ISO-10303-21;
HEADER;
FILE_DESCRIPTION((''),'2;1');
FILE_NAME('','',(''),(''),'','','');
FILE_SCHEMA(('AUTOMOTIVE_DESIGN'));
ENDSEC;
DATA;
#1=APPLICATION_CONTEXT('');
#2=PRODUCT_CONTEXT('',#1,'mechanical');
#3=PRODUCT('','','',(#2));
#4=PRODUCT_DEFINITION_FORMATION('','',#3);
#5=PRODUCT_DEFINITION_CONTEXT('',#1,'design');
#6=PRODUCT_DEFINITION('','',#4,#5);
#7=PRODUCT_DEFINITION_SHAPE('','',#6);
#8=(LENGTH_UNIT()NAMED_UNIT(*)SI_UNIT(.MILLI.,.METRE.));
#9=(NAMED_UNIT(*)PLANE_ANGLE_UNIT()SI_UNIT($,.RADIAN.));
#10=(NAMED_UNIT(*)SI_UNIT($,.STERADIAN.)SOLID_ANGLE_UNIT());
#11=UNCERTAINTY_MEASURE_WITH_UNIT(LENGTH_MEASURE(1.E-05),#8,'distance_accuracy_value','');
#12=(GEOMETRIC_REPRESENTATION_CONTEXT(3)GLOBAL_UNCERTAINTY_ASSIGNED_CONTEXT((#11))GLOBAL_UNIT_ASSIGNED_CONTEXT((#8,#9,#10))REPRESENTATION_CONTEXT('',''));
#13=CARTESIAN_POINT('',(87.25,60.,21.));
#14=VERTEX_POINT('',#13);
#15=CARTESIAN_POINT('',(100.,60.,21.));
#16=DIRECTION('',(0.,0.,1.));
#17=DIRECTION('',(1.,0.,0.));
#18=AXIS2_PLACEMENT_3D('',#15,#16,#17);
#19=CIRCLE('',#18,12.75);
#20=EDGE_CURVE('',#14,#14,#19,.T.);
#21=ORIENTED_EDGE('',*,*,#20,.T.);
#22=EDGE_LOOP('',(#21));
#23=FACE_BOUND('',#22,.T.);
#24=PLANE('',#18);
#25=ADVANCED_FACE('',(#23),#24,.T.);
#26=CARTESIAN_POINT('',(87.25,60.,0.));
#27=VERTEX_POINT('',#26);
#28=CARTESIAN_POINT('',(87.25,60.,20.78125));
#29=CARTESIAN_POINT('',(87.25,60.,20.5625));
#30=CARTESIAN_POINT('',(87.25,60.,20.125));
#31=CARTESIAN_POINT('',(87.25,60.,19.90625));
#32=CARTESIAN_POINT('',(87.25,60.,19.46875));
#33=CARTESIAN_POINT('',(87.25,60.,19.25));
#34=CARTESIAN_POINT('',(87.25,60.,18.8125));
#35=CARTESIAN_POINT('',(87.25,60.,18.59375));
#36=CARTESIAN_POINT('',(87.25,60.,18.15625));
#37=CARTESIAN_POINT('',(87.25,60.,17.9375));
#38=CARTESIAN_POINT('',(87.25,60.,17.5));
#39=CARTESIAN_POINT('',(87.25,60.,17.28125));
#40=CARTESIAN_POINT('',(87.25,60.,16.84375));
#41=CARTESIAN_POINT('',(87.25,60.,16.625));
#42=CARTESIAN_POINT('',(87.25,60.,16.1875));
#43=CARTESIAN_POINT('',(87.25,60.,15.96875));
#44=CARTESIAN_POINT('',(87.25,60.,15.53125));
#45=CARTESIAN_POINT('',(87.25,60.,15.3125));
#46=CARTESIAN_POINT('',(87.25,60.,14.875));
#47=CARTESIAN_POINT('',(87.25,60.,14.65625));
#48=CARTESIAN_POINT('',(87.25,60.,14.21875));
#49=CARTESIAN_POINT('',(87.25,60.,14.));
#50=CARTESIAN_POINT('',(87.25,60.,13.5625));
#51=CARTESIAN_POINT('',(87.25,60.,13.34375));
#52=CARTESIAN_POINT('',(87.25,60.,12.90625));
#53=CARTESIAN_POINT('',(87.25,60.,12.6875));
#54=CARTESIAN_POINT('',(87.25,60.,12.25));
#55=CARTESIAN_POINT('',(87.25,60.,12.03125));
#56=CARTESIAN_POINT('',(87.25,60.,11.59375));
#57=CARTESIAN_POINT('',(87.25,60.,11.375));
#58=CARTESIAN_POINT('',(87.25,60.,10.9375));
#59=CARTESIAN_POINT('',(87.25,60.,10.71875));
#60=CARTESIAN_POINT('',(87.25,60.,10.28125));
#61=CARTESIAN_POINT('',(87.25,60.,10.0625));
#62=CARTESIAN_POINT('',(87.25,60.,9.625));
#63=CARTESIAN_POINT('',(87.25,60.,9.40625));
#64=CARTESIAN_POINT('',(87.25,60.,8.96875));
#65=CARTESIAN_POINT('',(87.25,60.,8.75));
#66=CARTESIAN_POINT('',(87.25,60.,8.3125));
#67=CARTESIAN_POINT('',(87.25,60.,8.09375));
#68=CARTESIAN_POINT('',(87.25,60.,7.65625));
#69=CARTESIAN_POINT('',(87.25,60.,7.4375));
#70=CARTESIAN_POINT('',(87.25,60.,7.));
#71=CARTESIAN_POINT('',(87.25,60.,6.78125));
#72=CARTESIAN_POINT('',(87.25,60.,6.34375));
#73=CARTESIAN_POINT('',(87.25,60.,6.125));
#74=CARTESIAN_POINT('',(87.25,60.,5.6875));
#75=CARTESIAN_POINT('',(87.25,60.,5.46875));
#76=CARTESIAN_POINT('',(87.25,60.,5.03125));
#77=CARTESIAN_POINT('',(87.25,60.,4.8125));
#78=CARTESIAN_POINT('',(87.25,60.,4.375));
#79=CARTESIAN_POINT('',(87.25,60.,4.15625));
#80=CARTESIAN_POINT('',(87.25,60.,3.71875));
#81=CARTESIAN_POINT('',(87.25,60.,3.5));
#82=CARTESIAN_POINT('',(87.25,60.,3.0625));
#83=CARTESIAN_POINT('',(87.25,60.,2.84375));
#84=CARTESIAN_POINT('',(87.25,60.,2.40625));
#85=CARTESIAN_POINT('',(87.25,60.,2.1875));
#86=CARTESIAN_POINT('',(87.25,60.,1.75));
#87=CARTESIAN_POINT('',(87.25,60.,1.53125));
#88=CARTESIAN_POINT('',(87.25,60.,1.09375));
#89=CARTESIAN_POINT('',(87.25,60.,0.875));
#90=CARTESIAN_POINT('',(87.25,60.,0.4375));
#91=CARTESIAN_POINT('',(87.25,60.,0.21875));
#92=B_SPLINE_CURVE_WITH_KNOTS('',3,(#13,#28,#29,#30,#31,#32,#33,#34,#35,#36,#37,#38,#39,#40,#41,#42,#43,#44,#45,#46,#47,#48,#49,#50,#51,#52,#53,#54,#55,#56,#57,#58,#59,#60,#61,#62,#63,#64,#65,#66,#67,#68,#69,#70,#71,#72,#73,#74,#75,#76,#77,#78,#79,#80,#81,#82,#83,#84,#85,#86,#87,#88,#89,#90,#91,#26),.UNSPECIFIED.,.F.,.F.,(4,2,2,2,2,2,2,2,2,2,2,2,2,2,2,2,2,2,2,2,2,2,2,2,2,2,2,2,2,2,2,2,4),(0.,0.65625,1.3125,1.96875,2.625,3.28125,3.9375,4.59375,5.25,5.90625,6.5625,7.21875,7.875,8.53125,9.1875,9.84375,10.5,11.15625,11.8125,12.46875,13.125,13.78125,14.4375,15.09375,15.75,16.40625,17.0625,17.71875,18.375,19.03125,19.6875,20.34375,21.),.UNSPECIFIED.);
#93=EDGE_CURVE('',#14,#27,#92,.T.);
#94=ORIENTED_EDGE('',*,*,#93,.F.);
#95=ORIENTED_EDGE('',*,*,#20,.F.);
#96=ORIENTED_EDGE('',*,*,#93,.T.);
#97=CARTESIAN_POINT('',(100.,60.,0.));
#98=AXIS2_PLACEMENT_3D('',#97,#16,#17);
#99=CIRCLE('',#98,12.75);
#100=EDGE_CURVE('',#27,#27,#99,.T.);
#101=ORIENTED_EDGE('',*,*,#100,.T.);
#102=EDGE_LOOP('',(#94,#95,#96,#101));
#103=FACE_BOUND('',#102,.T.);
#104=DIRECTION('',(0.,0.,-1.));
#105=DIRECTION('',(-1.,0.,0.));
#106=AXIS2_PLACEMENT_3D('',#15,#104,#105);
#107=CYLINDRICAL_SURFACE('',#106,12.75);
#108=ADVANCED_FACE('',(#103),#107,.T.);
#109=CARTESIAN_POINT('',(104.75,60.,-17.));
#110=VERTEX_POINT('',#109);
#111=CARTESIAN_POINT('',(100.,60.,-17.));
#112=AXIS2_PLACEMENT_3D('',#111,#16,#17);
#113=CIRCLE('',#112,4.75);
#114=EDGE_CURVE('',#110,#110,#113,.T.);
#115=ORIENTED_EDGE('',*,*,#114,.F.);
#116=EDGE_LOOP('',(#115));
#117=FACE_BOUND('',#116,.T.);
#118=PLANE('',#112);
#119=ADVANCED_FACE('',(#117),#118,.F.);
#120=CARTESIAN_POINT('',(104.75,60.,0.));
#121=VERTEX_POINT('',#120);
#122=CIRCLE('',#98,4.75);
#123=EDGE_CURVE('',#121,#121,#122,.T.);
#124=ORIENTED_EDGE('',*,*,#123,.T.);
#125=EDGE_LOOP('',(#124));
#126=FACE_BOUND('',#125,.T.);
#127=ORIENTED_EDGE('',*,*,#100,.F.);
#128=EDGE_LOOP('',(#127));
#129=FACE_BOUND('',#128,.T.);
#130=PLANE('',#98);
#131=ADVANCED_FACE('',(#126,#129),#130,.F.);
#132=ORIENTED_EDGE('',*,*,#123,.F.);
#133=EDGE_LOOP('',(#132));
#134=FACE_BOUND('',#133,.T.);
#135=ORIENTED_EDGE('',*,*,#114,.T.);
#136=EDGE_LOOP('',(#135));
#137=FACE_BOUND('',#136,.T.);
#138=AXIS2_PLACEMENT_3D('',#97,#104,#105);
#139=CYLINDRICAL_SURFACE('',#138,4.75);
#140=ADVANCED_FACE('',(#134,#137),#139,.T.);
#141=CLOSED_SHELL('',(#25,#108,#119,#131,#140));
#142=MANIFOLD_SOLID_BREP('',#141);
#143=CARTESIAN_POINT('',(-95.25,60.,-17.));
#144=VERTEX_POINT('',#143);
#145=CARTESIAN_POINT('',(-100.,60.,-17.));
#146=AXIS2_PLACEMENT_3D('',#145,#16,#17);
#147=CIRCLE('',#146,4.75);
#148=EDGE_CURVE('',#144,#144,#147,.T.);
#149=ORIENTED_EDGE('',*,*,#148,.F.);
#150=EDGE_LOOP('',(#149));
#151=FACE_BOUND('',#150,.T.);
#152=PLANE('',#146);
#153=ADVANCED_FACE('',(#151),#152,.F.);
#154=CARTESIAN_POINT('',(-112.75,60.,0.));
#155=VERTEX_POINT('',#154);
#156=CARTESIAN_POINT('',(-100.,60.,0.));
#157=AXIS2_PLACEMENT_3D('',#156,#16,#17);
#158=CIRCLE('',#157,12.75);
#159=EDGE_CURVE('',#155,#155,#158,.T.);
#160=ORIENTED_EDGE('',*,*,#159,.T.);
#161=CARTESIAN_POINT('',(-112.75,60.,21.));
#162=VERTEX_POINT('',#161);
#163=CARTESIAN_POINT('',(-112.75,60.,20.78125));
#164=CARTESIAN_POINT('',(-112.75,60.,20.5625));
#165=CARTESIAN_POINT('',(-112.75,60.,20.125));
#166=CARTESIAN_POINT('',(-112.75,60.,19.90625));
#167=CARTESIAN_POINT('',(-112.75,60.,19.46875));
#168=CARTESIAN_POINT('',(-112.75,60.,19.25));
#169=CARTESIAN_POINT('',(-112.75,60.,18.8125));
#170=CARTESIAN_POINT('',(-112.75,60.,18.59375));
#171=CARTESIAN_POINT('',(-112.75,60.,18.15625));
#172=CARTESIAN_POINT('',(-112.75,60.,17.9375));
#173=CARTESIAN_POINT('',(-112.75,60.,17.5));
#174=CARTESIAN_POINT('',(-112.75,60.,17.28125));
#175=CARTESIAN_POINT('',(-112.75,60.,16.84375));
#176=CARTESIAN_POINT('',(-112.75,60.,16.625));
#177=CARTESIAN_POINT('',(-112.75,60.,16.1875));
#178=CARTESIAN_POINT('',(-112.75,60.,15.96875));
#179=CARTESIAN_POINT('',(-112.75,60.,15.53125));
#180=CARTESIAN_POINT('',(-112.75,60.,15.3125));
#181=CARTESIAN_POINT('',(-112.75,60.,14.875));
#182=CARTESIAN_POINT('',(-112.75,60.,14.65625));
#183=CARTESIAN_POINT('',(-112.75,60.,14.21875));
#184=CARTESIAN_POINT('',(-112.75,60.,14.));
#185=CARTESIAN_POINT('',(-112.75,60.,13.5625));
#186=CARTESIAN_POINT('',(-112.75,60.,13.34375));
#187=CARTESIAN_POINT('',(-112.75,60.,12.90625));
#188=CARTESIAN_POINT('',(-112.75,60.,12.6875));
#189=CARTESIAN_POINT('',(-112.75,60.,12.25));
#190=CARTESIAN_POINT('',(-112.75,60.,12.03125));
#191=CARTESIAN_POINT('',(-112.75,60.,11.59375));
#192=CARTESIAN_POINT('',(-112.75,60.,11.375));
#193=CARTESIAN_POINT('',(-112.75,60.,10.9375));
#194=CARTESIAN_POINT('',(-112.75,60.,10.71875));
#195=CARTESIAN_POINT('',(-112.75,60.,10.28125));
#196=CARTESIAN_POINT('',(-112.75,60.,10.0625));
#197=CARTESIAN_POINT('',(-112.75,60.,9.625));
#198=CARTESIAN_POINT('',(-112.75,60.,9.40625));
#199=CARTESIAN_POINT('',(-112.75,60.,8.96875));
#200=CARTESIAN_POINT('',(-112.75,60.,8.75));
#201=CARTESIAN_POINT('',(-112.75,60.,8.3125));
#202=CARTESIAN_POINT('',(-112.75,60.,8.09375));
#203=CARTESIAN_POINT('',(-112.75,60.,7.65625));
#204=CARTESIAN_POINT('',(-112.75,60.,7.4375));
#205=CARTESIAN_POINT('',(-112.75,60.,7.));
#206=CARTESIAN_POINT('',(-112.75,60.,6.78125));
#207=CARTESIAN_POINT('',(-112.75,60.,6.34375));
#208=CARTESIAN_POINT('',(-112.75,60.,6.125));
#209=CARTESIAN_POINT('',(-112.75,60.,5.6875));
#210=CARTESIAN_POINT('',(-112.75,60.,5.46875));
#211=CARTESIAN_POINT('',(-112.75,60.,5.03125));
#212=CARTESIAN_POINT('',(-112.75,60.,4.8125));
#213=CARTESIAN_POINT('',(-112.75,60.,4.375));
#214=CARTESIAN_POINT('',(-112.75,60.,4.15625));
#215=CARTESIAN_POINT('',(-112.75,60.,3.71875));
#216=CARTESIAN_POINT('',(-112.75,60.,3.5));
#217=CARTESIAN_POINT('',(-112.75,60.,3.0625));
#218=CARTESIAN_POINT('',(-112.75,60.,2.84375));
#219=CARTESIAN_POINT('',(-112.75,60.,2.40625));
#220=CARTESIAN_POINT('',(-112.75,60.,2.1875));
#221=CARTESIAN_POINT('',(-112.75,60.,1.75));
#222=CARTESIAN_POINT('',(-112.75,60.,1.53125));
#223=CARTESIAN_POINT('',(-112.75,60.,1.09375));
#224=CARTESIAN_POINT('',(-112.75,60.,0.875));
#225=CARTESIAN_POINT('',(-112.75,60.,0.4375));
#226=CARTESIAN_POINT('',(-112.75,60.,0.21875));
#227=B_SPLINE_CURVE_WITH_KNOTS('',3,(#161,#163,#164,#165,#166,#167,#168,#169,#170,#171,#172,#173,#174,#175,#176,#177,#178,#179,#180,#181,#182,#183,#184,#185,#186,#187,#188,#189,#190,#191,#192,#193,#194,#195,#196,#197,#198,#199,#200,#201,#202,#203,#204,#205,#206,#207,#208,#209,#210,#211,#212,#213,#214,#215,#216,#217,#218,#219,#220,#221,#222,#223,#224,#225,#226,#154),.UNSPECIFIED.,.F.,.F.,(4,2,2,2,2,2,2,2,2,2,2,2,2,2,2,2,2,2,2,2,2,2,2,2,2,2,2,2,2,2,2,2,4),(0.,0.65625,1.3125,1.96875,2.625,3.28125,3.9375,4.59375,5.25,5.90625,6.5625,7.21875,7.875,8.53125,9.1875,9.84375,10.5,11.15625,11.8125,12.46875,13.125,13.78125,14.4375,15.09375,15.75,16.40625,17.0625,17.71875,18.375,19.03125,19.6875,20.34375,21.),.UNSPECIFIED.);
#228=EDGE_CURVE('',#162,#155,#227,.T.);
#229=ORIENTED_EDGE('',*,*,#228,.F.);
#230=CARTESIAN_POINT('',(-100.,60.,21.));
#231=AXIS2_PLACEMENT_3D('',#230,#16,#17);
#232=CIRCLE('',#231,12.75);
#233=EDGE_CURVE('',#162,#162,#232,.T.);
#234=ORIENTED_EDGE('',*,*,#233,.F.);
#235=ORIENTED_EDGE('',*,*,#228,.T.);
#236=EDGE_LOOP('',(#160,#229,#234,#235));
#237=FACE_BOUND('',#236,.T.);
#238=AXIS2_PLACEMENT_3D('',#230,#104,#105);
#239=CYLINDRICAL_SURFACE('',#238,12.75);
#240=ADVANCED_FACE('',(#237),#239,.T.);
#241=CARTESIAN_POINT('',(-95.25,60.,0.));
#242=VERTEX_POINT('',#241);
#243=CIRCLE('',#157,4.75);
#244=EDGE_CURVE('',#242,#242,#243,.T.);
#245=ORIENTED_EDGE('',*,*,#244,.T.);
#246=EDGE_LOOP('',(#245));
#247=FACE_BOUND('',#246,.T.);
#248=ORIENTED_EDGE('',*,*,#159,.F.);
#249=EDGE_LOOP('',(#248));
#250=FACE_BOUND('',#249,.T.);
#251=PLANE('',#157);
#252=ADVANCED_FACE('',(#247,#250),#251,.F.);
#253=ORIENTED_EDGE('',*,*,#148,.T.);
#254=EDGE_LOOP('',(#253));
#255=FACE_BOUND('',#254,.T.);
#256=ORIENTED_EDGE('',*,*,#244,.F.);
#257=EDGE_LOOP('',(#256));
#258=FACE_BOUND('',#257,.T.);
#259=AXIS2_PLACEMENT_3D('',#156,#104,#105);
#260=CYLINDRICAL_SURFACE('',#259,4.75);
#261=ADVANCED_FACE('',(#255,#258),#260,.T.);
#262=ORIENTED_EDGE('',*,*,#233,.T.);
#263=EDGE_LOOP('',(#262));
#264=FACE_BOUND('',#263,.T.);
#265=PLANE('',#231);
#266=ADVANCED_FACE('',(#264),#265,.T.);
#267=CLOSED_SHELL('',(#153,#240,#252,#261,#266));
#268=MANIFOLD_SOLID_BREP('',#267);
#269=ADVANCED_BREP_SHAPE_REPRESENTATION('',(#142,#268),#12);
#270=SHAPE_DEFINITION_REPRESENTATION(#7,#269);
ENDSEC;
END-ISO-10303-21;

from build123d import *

# Parameters (mm, degrees)
SKETCH_5_R                          = 12.75
V09_C_LIGHT_HEADS_D25P5_L21_DEPTH   = 21
V09_C_LIGHT_HEADS_D25P5_L21_2_DEPTH = 21
V09_C_LIGHT_STUDS_D9P5_L17_START    = -17
SKETCH_6_R                          = 4.75
V09_C_LIGHT_STUDS_D9P5_L17_DEPTH    = 17


with BuildPart() as part:
    # 草图5 → V09_C_light_heads_D25p5_L21 (new body)
    with BuildSketch(Plane.XY):
        with Locations(Location((-100, 60, 0), (0, 0, 180))):
            Circle(SKETCH_5_R)
    extrude(amount=V09_C_LIGHT_HEADS_D25P5_L21_DEPTH)



with BuildPart() as body_2:
    # 草图5 → V09_C_light_heads_D25p5_L21 2 (new body)
    with BuildSketch(Plane.XY):
        with Locations(Location((100, 60, 0), (0, 0, 180))):
            Circle(SKETCH_5_R)
    extrude(amount=V09_C_LIGHT_HEADS_D25P5_L21_2_DEPTH)


with BuildPart() as part_1:
    add(part.part)

    add(body_2.part)  # V09_C_light_studs_D9p5_L17 merges body 2
    # 草图6 → V09_C_light_studs_D9p5_L17 (add)
    with BuildSketch(Plane.XY.offset(V09_C_LIGHT_STUDS_D9P5_L17_START)):
        with Locations((-100, 60)):
            Circle(SKETCH_6_R)
        with Locations((100, 60)):
            Circle(SKETCH_6_R)
    extrude(amount=V09_C_LIGHT_STUDS_D9P5_L17_DEPTH)


solid = part_1.part
